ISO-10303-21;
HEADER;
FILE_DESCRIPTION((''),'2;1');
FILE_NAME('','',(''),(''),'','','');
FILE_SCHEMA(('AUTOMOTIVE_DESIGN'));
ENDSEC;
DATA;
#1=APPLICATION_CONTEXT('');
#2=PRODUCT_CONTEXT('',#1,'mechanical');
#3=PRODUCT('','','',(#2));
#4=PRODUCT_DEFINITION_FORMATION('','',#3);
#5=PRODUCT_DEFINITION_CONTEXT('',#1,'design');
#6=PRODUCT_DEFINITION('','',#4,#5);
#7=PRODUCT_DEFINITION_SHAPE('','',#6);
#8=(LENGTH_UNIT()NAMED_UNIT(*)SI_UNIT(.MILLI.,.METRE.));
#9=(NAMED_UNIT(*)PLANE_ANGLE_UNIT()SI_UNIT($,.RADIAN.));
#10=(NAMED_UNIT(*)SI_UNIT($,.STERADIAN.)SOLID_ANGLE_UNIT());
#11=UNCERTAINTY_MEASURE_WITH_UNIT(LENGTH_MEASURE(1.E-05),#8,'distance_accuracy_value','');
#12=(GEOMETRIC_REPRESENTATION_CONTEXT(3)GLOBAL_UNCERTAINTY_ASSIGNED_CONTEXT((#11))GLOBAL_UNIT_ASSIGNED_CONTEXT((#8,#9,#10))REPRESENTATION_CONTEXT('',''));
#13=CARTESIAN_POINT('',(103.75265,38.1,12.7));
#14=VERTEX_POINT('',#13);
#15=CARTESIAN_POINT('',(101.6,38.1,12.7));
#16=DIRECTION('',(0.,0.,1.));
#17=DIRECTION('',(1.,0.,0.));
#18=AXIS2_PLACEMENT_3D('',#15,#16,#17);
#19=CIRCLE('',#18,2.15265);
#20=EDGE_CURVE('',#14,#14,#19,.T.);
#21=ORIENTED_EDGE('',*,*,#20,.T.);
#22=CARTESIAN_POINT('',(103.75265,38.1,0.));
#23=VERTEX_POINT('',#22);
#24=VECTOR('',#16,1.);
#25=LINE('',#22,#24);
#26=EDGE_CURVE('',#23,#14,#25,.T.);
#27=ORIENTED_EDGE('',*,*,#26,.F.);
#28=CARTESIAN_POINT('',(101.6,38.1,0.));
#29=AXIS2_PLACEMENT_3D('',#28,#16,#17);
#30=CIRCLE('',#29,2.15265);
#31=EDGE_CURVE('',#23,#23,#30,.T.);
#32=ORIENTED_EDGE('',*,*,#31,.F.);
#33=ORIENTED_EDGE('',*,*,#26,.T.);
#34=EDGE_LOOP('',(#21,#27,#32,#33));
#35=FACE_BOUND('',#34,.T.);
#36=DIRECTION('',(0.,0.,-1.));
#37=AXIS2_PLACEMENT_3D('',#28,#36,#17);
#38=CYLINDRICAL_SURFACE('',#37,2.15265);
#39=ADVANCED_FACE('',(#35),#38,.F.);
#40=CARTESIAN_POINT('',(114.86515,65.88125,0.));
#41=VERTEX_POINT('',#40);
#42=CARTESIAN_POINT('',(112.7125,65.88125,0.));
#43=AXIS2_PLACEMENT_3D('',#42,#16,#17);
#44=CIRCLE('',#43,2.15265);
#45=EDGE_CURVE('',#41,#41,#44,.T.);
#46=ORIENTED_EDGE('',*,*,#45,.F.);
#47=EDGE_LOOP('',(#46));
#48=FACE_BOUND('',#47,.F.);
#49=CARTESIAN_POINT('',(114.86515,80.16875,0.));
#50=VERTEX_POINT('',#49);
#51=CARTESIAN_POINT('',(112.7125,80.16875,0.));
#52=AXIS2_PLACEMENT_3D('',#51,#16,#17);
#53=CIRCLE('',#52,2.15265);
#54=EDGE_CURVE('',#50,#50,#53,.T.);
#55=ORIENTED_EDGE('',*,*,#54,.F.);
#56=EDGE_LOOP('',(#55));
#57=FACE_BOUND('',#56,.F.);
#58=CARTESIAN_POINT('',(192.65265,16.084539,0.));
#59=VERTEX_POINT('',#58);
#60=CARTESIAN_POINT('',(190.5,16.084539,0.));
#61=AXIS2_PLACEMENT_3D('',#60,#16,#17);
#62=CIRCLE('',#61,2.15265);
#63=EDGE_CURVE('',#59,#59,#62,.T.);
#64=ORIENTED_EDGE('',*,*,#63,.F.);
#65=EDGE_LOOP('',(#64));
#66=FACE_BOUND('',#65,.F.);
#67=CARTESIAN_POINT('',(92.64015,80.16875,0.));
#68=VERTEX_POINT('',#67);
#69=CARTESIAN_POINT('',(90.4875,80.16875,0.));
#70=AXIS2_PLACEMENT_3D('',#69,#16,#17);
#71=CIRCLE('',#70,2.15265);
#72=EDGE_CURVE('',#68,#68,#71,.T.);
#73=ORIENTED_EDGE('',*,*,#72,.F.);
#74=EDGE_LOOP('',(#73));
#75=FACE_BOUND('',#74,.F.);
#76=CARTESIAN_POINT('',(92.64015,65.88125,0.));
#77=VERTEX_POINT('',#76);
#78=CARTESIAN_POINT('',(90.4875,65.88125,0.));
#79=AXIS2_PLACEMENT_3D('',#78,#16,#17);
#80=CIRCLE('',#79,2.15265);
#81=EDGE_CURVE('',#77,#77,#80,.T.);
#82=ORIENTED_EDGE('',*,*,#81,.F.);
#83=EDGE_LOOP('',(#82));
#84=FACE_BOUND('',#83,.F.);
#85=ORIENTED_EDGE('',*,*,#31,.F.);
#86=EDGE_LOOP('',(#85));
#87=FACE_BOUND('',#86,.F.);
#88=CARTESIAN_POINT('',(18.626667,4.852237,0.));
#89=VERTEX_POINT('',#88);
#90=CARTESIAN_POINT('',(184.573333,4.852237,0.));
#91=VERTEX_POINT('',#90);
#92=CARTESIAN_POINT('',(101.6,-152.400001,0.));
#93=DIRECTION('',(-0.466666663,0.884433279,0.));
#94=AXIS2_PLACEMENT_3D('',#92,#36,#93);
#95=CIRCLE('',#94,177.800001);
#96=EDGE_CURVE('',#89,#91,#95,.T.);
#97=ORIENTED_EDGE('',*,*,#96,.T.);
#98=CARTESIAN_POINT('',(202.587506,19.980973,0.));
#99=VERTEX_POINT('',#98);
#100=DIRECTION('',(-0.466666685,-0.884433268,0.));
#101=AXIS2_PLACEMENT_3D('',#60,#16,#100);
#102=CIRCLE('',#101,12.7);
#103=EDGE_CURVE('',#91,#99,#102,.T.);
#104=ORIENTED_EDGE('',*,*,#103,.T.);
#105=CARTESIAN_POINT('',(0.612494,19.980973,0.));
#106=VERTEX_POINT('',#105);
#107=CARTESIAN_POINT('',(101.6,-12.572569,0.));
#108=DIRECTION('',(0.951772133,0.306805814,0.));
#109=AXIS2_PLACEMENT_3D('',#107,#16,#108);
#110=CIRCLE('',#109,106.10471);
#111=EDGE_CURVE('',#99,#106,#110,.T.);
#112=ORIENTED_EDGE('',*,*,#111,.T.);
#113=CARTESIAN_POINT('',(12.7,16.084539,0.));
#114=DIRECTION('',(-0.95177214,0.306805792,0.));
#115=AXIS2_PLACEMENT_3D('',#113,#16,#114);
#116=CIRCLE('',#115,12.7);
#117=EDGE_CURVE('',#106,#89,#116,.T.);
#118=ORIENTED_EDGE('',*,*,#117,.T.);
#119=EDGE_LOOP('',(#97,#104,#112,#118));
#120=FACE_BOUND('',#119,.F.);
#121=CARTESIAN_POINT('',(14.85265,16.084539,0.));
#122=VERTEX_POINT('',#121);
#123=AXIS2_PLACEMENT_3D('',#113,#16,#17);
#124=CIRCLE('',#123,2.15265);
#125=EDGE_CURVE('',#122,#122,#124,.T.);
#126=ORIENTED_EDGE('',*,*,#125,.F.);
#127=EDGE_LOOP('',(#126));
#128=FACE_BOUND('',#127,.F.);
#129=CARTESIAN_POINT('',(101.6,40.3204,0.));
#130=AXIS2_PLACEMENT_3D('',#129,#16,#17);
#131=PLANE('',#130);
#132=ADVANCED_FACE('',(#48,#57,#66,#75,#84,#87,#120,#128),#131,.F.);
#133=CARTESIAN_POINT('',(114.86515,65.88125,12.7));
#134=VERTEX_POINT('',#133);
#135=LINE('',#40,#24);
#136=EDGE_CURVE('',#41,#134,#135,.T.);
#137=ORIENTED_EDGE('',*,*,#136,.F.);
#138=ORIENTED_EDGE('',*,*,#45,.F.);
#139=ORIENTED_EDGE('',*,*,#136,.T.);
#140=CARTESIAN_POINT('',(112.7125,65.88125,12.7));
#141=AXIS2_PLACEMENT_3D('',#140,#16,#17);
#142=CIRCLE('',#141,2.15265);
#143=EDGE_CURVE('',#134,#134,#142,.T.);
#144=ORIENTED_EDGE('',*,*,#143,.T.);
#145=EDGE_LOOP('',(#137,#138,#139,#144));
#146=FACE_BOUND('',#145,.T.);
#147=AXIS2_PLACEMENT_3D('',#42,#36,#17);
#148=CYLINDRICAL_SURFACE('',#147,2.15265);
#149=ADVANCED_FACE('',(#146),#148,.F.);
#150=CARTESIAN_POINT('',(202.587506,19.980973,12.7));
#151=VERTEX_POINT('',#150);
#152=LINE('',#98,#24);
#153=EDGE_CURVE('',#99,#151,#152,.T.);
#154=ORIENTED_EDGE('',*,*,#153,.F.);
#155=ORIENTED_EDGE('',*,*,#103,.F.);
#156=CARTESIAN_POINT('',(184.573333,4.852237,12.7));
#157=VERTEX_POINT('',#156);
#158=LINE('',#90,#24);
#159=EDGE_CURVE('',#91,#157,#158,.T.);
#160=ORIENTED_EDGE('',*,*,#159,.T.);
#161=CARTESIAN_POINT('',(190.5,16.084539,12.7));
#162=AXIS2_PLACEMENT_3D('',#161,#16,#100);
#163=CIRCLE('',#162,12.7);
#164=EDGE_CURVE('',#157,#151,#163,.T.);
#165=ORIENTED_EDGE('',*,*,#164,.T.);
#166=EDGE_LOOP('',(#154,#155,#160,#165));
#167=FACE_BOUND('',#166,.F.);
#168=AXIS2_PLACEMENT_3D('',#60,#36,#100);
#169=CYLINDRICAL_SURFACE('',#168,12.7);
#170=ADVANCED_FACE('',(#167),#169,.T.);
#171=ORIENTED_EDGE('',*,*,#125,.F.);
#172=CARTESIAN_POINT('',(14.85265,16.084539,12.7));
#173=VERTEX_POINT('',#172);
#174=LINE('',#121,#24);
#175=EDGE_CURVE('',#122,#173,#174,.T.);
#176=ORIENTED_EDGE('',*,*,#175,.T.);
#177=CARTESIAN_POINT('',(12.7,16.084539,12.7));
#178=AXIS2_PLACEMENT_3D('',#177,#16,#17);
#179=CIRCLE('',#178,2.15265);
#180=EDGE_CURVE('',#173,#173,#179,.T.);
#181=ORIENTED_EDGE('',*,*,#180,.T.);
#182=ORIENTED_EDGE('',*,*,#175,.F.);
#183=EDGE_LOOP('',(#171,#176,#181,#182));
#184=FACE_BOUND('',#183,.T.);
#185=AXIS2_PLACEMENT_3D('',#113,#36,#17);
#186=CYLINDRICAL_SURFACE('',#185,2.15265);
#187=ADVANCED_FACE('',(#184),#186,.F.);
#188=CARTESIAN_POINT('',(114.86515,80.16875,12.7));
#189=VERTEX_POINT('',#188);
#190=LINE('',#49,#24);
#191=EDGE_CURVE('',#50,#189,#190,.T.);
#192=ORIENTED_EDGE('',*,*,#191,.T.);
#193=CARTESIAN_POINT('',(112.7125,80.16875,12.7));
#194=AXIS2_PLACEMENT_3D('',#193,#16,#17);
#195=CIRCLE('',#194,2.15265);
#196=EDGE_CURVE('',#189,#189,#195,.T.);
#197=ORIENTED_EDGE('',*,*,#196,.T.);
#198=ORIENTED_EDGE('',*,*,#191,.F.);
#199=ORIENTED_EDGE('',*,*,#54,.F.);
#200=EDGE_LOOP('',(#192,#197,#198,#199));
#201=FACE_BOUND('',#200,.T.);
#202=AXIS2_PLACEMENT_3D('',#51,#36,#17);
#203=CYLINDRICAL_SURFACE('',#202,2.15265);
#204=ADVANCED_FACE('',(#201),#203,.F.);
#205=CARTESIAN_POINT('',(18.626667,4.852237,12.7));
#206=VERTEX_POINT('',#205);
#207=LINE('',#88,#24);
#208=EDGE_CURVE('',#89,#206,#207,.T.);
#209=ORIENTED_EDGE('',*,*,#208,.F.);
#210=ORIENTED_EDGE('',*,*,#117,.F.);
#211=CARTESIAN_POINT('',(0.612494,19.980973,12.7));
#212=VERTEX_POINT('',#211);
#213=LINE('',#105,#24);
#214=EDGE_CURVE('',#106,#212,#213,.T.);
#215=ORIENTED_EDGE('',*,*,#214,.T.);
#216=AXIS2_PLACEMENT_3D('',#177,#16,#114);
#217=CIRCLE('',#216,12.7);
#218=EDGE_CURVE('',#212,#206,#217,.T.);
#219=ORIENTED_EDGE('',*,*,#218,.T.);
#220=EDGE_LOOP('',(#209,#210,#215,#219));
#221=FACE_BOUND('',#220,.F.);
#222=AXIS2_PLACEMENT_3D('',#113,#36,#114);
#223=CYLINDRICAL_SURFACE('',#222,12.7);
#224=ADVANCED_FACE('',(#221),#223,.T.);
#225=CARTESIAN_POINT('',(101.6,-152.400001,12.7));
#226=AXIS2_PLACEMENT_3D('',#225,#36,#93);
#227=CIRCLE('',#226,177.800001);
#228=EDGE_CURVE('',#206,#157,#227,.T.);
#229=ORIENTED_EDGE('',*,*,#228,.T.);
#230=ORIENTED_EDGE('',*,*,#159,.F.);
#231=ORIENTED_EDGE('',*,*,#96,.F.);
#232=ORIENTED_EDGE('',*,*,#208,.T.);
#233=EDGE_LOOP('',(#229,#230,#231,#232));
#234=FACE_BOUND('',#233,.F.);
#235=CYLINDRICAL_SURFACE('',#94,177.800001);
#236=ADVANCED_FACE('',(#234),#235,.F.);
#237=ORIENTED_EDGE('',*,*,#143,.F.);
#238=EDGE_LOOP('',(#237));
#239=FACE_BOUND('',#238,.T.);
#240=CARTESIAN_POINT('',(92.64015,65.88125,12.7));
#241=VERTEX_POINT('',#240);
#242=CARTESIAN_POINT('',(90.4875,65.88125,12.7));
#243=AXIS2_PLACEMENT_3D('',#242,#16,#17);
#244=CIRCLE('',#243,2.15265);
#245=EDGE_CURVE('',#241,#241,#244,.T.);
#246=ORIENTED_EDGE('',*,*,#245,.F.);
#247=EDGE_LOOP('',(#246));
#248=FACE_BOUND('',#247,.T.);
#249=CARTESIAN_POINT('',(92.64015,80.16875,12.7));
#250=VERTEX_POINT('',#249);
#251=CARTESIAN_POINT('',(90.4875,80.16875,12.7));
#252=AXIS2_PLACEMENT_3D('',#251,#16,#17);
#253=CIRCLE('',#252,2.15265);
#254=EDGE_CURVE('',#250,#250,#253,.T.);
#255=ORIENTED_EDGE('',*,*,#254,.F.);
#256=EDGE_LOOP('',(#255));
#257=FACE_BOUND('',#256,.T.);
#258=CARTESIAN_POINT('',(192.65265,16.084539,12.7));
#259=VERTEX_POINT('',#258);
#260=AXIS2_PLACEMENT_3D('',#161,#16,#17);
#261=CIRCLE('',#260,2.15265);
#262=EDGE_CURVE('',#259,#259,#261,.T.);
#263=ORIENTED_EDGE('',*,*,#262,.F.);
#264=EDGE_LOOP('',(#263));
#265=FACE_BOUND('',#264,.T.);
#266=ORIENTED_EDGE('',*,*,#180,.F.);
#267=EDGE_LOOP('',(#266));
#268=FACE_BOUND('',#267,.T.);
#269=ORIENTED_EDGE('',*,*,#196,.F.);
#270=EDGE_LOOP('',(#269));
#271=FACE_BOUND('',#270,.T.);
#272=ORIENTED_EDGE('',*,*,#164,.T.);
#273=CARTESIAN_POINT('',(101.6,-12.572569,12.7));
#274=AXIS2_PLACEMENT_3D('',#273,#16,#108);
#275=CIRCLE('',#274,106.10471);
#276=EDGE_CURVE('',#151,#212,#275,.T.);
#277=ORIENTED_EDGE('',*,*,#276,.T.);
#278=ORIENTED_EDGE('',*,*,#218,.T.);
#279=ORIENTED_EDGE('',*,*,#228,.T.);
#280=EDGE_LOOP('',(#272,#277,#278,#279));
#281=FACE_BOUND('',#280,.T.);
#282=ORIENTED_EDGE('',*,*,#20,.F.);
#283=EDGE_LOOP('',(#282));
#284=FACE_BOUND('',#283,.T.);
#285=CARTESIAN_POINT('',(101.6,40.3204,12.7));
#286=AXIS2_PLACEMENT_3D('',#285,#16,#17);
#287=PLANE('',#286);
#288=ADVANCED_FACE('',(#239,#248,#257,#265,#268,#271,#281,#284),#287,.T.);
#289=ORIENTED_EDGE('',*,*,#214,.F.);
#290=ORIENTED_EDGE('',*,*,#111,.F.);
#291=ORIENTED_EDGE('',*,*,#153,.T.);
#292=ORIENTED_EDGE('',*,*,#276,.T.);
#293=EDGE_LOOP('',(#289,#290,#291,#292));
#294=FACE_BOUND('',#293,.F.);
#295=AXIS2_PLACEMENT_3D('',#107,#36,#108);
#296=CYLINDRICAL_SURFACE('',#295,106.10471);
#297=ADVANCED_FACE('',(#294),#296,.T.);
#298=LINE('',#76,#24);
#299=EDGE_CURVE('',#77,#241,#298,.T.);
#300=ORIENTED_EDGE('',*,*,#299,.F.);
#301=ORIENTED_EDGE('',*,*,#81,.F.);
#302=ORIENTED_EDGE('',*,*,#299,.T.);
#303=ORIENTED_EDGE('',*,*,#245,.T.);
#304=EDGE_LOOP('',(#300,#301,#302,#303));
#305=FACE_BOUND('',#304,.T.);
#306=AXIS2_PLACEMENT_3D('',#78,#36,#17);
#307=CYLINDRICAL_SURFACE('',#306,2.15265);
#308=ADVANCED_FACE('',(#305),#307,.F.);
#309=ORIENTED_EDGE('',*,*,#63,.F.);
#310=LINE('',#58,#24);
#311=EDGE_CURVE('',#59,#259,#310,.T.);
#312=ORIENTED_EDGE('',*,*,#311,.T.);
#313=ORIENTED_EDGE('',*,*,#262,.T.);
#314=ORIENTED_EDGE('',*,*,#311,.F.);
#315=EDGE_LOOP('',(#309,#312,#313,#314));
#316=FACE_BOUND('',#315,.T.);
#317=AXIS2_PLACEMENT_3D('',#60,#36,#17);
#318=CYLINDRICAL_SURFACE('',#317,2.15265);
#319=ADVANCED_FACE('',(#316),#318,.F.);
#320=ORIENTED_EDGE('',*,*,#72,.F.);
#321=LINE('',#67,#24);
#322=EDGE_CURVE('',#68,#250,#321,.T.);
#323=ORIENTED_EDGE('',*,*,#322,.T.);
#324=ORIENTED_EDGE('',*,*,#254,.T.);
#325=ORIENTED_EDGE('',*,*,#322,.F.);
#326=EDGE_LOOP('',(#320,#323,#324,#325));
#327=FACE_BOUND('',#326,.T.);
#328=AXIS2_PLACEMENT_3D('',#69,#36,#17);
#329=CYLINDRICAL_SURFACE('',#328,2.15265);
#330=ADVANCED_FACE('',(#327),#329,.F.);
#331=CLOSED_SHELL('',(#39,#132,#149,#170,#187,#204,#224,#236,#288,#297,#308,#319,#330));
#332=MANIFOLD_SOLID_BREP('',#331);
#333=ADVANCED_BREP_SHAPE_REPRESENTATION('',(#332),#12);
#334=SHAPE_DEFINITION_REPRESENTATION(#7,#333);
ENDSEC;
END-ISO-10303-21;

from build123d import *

# Parameters (mm, degrees)
F0_R     = 2.15265
F1_DEPTH = 12.7


with BuildPart() as f1:
    # F0 (on Top) → F1 (new body)
    with BuildSketch(Plane.XY):
        with BuildLine():
            ThreePointArc((18.626667, 4.852237), (101.6, 25.4), (184.573333, 4.852237))
            ThreePointArc((184.573333, 4.852237), (198.667536, 6.359245), (202.587506, 19.980973))
            ThreePointArc((202.587506, 19.980973), (101.6, 93.532141), (0.612494, 19.980973))
            ThreePointArc((0.612494, 19.980973), (4.532464, 6.359245), (18.626667, 4.852237))
        make_face()
        with Locations((12.7, 16.084539)):
            Circle(F0_R, mode=Mode.SUBTRACT)
        with Locations((101.6, 38.1)):
            Circle(F0_R, mode=Mode.SUBTRACT)
        with Locations((190.5, 16.084539)):
            Circle(F0_R, mode=Mode.SUBTRACT)
        with Locations((90.4875, 65.88125)):
            Circle(F0_R, mode=Mode.SUBTRACT)
        with Locations((90.4875, 80.16875)):
            Circle(F0_R, mode=Mode.SUBTRACT)
        with Locations((112.7125, 65.88125)):
            Circle(F0_R, mode=Mode.SUBTRACT)
        with Locations((112.7125, 80.16875)):
            Circle(F0_R, mode=Mode.SUBTRACT)
    extrude(amount=F1_DEPTH)


solid = f1.part
